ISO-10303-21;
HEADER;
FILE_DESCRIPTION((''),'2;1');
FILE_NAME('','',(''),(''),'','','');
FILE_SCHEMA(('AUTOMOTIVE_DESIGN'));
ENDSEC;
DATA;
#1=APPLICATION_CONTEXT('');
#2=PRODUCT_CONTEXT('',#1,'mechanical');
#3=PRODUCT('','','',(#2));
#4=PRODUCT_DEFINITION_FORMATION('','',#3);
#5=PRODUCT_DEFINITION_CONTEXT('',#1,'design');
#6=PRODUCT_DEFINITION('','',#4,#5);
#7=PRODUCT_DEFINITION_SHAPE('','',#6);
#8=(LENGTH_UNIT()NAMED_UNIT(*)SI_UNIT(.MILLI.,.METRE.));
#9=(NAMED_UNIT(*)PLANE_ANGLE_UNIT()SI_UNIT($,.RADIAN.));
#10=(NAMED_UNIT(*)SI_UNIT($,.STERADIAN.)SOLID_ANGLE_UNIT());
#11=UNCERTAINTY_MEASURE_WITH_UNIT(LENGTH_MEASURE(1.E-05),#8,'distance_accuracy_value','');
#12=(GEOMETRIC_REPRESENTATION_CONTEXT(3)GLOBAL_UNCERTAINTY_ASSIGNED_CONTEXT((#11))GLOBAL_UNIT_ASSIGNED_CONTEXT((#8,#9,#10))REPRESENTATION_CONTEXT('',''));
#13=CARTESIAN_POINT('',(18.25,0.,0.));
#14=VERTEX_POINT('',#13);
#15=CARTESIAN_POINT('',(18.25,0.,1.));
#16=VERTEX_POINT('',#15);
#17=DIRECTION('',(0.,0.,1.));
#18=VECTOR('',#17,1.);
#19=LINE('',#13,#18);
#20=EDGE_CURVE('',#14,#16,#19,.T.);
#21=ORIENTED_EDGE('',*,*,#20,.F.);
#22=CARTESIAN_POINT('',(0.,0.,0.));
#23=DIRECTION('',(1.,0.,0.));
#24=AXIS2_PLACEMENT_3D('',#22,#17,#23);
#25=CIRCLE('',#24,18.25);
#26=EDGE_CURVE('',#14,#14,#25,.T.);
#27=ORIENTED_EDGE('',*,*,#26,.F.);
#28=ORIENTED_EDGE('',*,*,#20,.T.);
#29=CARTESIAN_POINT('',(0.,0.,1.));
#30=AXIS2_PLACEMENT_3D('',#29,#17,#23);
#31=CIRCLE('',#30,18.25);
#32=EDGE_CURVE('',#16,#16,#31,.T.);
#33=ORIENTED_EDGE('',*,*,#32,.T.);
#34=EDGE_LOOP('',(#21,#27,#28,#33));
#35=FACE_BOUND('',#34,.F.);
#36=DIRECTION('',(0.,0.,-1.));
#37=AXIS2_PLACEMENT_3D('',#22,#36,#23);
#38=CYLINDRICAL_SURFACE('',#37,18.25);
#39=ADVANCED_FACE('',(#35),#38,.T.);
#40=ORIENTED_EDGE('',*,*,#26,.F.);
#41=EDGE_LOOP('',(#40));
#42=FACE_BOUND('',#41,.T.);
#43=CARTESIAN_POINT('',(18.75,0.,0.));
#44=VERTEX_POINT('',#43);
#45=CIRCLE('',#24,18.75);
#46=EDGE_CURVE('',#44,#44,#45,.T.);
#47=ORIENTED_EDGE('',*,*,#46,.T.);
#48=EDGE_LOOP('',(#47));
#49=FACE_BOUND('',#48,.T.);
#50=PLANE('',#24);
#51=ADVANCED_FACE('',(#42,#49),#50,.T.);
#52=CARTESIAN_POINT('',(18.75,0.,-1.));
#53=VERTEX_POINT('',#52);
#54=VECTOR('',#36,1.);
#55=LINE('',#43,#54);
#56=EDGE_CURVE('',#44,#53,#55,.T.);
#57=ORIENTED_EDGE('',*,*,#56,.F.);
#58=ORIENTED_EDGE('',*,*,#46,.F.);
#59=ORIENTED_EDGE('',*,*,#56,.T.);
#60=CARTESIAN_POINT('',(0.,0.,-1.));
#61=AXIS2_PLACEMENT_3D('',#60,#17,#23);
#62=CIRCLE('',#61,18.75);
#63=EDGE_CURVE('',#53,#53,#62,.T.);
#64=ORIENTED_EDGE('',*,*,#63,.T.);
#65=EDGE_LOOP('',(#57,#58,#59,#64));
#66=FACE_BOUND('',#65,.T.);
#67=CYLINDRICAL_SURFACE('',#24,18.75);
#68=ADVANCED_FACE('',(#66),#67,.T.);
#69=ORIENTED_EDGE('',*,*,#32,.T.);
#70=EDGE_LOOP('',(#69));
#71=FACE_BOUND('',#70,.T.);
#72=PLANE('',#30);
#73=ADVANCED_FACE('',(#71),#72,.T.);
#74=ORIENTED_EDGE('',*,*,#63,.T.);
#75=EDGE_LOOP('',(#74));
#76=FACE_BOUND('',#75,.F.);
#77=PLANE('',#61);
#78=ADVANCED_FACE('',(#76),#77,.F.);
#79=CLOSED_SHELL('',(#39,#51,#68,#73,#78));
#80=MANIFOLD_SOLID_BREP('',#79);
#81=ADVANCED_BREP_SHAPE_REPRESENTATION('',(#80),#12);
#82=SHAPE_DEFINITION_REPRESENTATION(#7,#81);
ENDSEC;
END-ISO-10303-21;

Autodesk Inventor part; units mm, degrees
ref_plane "YZ Plane" through (0, 0, 0) normal (1, 0, 0) x (0, 1, 0)
ref_plane "XZ Plane" through (0, 0, 0) normal (0, 1, 0) x (-1, 0, 0)
ref_plane "XY Plane" through (0, 0, 0) normal (0, 0, 1) x (1, 0, 0)
sketch "Sketch1" plane through (0, 0, 0) normal (0, 0, 1) x (1, 0, 0)
  circle A0 centre (0, 0) radius 18.25
  circle A1 centre (0, 0) radius 18.75
  dimension "d0" = 36.5
  dimension "d1" = 37.5
extrude "Extrusion1" add sketch "Sketch1" along normal blind 1 contours A0
extrude "Extrusion2" add sketch "Sketch1" against normal blind 1 contours A0 | A1
properties part number "HeatExchangeCylinderhead"
